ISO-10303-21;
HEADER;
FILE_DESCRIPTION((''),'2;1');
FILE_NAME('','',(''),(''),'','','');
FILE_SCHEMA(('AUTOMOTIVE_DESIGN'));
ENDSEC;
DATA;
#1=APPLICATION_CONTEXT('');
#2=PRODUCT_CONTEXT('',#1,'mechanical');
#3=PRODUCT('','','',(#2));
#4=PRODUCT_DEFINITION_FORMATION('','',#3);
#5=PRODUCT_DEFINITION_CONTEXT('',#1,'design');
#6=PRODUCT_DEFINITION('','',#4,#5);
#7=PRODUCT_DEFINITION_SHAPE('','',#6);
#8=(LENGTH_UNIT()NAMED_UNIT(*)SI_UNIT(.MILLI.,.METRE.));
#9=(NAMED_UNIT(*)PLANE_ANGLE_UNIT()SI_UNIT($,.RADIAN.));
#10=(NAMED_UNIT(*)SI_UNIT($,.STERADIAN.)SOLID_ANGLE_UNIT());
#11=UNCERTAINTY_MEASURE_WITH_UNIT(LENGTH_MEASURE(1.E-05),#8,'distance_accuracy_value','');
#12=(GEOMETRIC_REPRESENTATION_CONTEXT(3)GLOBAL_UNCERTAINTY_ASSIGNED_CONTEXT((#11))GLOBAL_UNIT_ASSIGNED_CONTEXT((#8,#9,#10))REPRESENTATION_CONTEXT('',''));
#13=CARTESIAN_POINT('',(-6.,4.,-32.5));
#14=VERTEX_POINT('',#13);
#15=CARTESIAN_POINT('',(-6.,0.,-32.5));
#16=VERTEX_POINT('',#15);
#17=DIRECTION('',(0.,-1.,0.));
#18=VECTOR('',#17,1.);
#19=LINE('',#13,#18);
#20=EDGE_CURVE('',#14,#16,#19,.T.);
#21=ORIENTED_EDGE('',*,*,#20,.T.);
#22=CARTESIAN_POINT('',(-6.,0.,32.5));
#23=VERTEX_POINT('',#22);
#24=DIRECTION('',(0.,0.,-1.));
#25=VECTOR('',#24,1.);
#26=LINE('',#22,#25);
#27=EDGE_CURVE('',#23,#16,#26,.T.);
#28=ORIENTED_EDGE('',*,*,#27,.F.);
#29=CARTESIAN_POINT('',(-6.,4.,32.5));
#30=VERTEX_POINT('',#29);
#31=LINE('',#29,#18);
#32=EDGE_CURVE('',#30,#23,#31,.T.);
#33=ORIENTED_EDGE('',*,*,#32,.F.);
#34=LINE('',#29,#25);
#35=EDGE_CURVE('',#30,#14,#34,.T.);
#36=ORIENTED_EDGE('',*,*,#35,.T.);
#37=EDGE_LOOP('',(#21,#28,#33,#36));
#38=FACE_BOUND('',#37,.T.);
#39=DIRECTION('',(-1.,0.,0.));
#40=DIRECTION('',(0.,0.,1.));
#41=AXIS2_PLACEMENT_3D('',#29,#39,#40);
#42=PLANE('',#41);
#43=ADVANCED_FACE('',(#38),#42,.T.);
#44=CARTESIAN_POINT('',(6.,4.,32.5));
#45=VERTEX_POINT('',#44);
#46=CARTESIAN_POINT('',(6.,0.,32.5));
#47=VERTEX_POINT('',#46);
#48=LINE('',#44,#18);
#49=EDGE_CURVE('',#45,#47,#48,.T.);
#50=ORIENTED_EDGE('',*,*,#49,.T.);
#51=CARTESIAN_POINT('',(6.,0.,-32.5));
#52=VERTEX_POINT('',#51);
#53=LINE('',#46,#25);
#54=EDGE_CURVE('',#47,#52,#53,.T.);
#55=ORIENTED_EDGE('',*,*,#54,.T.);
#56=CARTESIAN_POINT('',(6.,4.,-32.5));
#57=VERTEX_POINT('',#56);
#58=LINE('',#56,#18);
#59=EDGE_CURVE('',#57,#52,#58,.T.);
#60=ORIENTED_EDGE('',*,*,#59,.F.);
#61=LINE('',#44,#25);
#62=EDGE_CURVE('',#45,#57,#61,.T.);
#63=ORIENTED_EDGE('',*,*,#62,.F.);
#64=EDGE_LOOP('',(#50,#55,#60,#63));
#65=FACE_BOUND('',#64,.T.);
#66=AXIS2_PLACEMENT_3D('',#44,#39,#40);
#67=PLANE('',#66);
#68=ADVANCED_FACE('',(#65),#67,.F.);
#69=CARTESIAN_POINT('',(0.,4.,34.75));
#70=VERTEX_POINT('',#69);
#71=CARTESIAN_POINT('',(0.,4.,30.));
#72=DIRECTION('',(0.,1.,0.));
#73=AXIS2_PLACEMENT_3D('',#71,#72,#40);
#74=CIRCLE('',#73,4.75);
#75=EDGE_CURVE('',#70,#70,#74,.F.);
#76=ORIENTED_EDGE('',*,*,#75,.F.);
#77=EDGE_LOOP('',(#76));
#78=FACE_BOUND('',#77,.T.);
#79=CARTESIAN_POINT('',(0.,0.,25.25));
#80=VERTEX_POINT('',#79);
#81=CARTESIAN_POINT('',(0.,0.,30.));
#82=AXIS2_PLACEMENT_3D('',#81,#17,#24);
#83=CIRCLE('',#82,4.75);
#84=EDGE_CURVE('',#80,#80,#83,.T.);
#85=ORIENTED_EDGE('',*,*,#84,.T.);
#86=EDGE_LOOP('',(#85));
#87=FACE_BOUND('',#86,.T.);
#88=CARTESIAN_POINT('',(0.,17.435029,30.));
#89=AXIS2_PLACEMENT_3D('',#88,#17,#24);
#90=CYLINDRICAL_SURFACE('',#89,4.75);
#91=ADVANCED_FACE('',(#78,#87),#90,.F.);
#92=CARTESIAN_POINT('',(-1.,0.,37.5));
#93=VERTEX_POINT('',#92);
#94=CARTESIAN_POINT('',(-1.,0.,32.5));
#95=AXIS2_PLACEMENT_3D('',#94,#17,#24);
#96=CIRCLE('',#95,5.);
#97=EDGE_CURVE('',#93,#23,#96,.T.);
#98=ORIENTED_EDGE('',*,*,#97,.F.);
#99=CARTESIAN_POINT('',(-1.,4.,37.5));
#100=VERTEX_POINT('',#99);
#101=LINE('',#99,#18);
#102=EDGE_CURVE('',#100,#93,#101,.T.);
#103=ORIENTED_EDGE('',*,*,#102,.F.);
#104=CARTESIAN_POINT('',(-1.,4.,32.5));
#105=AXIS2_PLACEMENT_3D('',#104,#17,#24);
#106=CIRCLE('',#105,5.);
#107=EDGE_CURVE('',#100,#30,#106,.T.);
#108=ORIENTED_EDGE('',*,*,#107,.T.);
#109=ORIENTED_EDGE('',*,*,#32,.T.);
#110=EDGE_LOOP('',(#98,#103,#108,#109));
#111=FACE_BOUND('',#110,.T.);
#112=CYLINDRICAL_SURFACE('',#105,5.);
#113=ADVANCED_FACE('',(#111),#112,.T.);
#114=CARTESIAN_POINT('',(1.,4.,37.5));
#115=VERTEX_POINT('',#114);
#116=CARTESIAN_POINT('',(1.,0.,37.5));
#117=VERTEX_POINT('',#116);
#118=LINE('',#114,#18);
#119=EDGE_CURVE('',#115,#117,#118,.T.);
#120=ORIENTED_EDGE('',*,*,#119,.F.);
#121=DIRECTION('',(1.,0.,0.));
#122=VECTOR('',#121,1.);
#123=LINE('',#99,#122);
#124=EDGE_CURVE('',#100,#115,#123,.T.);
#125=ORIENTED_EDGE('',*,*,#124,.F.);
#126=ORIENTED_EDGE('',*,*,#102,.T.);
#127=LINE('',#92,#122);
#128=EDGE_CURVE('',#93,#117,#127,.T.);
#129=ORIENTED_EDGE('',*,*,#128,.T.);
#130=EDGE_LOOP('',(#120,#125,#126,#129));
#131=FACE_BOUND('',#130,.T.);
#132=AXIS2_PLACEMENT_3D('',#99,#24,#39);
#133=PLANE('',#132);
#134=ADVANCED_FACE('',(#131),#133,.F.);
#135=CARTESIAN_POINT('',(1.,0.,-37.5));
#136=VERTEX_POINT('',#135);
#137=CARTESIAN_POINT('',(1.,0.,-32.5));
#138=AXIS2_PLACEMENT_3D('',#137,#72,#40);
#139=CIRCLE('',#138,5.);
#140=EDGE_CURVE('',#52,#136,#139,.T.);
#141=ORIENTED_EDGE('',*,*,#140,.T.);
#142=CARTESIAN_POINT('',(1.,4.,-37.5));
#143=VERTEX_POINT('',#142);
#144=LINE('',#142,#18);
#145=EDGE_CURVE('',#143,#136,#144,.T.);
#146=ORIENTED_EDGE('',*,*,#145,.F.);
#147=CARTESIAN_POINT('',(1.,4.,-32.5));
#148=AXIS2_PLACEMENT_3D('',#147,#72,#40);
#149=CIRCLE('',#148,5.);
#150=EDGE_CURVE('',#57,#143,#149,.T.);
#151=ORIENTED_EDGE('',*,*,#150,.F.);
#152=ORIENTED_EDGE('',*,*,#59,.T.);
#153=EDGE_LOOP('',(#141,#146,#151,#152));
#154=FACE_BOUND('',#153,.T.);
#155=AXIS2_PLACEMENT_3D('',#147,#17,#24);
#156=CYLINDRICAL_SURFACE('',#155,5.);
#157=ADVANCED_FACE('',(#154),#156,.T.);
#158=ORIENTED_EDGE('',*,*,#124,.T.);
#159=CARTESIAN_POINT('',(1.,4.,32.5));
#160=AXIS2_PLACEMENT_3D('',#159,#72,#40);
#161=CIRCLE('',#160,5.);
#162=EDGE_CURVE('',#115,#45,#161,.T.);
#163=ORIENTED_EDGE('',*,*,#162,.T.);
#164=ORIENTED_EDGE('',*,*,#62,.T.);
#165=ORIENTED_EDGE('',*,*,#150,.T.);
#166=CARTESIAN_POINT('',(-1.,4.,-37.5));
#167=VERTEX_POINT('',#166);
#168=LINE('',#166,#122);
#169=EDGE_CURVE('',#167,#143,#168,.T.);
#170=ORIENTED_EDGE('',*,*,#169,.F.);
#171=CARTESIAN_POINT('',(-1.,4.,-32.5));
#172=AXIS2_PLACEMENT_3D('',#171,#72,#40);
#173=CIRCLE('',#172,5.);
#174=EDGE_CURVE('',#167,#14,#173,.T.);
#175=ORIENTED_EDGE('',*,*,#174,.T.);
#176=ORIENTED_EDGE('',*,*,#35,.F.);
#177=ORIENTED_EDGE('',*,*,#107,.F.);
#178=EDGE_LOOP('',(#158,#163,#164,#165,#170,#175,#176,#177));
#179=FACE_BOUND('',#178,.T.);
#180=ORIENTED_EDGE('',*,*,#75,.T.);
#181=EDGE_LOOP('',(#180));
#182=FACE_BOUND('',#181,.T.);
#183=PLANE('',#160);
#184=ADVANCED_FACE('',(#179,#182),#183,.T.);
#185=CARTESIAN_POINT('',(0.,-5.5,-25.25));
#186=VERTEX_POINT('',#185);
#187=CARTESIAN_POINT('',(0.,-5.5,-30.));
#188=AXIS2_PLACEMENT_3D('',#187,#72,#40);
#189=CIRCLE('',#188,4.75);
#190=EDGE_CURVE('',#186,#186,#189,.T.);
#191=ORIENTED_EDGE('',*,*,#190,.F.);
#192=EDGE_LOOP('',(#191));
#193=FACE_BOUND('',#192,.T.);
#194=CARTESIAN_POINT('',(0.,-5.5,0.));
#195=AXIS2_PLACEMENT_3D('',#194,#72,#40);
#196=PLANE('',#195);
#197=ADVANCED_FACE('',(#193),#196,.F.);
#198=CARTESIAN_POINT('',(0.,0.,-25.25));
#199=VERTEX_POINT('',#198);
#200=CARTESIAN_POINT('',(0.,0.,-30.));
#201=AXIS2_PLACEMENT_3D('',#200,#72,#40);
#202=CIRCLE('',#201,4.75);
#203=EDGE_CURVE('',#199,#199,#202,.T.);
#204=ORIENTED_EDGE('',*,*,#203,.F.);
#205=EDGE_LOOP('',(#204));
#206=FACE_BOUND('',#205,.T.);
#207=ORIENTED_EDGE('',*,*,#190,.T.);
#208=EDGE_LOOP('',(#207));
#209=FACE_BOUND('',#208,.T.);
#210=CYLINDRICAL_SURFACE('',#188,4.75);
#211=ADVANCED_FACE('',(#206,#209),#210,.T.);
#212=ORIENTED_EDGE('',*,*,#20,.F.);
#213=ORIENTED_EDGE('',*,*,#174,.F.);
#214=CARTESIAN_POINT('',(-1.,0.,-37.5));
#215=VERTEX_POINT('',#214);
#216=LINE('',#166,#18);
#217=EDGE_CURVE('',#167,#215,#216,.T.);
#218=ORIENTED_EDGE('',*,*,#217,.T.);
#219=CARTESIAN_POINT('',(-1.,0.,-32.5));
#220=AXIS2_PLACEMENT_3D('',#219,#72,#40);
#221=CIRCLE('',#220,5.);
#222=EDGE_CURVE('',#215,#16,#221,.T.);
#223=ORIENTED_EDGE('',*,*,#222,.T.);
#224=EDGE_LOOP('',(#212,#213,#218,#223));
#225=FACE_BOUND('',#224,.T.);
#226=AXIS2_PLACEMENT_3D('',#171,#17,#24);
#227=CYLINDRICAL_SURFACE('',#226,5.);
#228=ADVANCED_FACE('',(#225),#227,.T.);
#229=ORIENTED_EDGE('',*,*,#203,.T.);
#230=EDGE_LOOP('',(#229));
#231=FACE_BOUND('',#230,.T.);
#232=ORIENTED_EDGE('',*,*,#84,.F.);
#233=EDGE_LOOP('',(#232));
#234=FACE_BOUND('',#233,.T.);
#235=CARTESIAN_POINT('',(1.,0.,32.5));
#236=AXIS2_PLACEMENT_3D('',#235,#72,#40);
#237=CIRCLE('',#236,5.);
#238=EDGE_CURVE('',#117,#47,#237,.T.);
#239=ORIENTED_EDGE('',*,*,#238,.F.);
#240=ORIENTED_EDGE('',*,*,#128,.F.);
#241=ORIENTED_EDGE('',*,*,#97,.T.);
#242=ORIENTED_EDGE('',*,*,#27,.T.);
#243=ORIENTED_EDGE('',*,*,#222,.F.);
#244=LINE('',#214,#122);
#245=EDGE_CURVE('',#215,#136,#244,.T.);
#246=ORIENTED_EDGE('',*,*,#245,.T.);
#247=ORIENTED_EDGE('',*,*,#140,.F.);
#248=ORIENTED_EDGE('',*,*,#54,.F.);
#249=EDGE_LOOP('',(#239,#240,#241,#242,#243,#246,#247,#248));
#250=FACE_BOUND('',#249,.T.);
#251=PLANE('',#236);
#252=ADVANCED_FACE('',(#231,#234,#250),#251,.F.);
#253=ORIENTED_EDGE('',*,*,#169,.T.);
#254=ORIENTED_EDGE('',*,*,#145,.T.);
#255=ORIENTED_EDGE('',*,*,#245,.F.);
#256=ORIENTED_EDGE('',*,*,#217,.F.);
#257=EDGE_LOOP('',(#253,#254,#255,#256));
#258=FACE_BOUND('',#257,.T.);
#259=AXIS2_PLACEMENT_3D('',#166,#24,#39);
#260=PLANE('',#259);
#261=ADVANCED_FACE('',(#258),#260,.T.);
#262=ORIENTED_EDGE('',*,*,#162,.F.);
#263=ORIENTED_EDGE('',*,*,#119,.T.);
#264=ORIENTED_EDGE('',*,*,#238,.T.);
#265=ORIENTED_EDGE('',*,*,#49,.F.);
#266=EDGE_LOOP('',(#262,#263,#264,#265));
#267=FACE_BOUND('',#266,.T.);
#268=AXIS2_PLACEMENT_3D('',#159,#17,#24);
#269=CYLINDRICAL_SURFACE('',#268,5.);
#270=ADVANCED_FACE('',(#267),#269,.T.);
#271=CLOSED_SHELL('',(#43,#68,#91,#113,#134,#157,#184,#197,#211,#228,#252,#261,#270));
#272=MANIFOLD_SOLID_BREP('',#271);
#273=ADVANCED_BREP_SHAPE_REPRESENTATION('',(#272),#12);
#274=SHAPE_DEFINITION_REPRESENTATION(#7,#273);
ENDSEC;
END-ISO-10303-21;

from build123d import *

# Parameters (mm, degrees)
BOSS_EXTRUDE1_DEPTH = 4
SKETCH2_4_R         = 4.75
BOSS_EXTRUDE2_DEPTH = 5.5
SKETCH2_5_R         = 4.75
CUT_EXTRUDE1_DEPTH  = 4


with BuildPart() as part:
    # Sketch2 → Boss-Extrude1 (new body)
    with BuildSketch(Plane(origin=(0, 0, 0), x_dir=(1, 0, 0), z_dir=(0, 1, 0))):
        with BuildLine():
            Line((-1, -37.5), (1, -37.5))
            ThreePointArc((1, -37.5), (4.535533906, -36.035533906), (6, -32.5))
            Line((6, -32.5), (6, 32.5))
            ThreePointArc((6, 32.5), (4.535533906, 36.035533906), (1, 37.5))
            Line((1, 37.5), (-1, 37.5))
            ThreePointArc((-1, 37.5), (-4.535533906, 36.035533906), (-6, 32.5))
            Line((-6, 32.5), (-6, -32.5))
            ThreePointArc((-6, -32.5), (-4.535533906, -36.035533906), (-1, -37.5))
        make_face()
    extrude(amount=BOSS_EXTRUDE1_DEPTH)

    # Sketch2<4> → Boss-Extrude2 (add)
    with BuildSketch(Plane(origin=(0, 0, 0), x_dir=(1, 0, 0), z_dir=(0, 1, 0))):
        with Locations(Location((0, 30, 0), (0, 0, 270))):
            Circle(SKETCH2_4_R)
    extrude(amount=-BOSS_EXTRUDE2_DEPTH)

    # Sketch2<5> → Cut-Extrude1 (cut)
    with BuildSketch(Plane(origin=(0, 0, 0), x_dir=(1, 0, 0), z_dir=(0, 1, 0))):
        with Locations(Location((0, -30, 0), (0, 0, 90))):
            Circle(SKETCH2_5_R)
    extrude(amount=CUT_EXTRUDE1_DEPTH, mode=Mode.SUBTRACT)


solid = part.part
